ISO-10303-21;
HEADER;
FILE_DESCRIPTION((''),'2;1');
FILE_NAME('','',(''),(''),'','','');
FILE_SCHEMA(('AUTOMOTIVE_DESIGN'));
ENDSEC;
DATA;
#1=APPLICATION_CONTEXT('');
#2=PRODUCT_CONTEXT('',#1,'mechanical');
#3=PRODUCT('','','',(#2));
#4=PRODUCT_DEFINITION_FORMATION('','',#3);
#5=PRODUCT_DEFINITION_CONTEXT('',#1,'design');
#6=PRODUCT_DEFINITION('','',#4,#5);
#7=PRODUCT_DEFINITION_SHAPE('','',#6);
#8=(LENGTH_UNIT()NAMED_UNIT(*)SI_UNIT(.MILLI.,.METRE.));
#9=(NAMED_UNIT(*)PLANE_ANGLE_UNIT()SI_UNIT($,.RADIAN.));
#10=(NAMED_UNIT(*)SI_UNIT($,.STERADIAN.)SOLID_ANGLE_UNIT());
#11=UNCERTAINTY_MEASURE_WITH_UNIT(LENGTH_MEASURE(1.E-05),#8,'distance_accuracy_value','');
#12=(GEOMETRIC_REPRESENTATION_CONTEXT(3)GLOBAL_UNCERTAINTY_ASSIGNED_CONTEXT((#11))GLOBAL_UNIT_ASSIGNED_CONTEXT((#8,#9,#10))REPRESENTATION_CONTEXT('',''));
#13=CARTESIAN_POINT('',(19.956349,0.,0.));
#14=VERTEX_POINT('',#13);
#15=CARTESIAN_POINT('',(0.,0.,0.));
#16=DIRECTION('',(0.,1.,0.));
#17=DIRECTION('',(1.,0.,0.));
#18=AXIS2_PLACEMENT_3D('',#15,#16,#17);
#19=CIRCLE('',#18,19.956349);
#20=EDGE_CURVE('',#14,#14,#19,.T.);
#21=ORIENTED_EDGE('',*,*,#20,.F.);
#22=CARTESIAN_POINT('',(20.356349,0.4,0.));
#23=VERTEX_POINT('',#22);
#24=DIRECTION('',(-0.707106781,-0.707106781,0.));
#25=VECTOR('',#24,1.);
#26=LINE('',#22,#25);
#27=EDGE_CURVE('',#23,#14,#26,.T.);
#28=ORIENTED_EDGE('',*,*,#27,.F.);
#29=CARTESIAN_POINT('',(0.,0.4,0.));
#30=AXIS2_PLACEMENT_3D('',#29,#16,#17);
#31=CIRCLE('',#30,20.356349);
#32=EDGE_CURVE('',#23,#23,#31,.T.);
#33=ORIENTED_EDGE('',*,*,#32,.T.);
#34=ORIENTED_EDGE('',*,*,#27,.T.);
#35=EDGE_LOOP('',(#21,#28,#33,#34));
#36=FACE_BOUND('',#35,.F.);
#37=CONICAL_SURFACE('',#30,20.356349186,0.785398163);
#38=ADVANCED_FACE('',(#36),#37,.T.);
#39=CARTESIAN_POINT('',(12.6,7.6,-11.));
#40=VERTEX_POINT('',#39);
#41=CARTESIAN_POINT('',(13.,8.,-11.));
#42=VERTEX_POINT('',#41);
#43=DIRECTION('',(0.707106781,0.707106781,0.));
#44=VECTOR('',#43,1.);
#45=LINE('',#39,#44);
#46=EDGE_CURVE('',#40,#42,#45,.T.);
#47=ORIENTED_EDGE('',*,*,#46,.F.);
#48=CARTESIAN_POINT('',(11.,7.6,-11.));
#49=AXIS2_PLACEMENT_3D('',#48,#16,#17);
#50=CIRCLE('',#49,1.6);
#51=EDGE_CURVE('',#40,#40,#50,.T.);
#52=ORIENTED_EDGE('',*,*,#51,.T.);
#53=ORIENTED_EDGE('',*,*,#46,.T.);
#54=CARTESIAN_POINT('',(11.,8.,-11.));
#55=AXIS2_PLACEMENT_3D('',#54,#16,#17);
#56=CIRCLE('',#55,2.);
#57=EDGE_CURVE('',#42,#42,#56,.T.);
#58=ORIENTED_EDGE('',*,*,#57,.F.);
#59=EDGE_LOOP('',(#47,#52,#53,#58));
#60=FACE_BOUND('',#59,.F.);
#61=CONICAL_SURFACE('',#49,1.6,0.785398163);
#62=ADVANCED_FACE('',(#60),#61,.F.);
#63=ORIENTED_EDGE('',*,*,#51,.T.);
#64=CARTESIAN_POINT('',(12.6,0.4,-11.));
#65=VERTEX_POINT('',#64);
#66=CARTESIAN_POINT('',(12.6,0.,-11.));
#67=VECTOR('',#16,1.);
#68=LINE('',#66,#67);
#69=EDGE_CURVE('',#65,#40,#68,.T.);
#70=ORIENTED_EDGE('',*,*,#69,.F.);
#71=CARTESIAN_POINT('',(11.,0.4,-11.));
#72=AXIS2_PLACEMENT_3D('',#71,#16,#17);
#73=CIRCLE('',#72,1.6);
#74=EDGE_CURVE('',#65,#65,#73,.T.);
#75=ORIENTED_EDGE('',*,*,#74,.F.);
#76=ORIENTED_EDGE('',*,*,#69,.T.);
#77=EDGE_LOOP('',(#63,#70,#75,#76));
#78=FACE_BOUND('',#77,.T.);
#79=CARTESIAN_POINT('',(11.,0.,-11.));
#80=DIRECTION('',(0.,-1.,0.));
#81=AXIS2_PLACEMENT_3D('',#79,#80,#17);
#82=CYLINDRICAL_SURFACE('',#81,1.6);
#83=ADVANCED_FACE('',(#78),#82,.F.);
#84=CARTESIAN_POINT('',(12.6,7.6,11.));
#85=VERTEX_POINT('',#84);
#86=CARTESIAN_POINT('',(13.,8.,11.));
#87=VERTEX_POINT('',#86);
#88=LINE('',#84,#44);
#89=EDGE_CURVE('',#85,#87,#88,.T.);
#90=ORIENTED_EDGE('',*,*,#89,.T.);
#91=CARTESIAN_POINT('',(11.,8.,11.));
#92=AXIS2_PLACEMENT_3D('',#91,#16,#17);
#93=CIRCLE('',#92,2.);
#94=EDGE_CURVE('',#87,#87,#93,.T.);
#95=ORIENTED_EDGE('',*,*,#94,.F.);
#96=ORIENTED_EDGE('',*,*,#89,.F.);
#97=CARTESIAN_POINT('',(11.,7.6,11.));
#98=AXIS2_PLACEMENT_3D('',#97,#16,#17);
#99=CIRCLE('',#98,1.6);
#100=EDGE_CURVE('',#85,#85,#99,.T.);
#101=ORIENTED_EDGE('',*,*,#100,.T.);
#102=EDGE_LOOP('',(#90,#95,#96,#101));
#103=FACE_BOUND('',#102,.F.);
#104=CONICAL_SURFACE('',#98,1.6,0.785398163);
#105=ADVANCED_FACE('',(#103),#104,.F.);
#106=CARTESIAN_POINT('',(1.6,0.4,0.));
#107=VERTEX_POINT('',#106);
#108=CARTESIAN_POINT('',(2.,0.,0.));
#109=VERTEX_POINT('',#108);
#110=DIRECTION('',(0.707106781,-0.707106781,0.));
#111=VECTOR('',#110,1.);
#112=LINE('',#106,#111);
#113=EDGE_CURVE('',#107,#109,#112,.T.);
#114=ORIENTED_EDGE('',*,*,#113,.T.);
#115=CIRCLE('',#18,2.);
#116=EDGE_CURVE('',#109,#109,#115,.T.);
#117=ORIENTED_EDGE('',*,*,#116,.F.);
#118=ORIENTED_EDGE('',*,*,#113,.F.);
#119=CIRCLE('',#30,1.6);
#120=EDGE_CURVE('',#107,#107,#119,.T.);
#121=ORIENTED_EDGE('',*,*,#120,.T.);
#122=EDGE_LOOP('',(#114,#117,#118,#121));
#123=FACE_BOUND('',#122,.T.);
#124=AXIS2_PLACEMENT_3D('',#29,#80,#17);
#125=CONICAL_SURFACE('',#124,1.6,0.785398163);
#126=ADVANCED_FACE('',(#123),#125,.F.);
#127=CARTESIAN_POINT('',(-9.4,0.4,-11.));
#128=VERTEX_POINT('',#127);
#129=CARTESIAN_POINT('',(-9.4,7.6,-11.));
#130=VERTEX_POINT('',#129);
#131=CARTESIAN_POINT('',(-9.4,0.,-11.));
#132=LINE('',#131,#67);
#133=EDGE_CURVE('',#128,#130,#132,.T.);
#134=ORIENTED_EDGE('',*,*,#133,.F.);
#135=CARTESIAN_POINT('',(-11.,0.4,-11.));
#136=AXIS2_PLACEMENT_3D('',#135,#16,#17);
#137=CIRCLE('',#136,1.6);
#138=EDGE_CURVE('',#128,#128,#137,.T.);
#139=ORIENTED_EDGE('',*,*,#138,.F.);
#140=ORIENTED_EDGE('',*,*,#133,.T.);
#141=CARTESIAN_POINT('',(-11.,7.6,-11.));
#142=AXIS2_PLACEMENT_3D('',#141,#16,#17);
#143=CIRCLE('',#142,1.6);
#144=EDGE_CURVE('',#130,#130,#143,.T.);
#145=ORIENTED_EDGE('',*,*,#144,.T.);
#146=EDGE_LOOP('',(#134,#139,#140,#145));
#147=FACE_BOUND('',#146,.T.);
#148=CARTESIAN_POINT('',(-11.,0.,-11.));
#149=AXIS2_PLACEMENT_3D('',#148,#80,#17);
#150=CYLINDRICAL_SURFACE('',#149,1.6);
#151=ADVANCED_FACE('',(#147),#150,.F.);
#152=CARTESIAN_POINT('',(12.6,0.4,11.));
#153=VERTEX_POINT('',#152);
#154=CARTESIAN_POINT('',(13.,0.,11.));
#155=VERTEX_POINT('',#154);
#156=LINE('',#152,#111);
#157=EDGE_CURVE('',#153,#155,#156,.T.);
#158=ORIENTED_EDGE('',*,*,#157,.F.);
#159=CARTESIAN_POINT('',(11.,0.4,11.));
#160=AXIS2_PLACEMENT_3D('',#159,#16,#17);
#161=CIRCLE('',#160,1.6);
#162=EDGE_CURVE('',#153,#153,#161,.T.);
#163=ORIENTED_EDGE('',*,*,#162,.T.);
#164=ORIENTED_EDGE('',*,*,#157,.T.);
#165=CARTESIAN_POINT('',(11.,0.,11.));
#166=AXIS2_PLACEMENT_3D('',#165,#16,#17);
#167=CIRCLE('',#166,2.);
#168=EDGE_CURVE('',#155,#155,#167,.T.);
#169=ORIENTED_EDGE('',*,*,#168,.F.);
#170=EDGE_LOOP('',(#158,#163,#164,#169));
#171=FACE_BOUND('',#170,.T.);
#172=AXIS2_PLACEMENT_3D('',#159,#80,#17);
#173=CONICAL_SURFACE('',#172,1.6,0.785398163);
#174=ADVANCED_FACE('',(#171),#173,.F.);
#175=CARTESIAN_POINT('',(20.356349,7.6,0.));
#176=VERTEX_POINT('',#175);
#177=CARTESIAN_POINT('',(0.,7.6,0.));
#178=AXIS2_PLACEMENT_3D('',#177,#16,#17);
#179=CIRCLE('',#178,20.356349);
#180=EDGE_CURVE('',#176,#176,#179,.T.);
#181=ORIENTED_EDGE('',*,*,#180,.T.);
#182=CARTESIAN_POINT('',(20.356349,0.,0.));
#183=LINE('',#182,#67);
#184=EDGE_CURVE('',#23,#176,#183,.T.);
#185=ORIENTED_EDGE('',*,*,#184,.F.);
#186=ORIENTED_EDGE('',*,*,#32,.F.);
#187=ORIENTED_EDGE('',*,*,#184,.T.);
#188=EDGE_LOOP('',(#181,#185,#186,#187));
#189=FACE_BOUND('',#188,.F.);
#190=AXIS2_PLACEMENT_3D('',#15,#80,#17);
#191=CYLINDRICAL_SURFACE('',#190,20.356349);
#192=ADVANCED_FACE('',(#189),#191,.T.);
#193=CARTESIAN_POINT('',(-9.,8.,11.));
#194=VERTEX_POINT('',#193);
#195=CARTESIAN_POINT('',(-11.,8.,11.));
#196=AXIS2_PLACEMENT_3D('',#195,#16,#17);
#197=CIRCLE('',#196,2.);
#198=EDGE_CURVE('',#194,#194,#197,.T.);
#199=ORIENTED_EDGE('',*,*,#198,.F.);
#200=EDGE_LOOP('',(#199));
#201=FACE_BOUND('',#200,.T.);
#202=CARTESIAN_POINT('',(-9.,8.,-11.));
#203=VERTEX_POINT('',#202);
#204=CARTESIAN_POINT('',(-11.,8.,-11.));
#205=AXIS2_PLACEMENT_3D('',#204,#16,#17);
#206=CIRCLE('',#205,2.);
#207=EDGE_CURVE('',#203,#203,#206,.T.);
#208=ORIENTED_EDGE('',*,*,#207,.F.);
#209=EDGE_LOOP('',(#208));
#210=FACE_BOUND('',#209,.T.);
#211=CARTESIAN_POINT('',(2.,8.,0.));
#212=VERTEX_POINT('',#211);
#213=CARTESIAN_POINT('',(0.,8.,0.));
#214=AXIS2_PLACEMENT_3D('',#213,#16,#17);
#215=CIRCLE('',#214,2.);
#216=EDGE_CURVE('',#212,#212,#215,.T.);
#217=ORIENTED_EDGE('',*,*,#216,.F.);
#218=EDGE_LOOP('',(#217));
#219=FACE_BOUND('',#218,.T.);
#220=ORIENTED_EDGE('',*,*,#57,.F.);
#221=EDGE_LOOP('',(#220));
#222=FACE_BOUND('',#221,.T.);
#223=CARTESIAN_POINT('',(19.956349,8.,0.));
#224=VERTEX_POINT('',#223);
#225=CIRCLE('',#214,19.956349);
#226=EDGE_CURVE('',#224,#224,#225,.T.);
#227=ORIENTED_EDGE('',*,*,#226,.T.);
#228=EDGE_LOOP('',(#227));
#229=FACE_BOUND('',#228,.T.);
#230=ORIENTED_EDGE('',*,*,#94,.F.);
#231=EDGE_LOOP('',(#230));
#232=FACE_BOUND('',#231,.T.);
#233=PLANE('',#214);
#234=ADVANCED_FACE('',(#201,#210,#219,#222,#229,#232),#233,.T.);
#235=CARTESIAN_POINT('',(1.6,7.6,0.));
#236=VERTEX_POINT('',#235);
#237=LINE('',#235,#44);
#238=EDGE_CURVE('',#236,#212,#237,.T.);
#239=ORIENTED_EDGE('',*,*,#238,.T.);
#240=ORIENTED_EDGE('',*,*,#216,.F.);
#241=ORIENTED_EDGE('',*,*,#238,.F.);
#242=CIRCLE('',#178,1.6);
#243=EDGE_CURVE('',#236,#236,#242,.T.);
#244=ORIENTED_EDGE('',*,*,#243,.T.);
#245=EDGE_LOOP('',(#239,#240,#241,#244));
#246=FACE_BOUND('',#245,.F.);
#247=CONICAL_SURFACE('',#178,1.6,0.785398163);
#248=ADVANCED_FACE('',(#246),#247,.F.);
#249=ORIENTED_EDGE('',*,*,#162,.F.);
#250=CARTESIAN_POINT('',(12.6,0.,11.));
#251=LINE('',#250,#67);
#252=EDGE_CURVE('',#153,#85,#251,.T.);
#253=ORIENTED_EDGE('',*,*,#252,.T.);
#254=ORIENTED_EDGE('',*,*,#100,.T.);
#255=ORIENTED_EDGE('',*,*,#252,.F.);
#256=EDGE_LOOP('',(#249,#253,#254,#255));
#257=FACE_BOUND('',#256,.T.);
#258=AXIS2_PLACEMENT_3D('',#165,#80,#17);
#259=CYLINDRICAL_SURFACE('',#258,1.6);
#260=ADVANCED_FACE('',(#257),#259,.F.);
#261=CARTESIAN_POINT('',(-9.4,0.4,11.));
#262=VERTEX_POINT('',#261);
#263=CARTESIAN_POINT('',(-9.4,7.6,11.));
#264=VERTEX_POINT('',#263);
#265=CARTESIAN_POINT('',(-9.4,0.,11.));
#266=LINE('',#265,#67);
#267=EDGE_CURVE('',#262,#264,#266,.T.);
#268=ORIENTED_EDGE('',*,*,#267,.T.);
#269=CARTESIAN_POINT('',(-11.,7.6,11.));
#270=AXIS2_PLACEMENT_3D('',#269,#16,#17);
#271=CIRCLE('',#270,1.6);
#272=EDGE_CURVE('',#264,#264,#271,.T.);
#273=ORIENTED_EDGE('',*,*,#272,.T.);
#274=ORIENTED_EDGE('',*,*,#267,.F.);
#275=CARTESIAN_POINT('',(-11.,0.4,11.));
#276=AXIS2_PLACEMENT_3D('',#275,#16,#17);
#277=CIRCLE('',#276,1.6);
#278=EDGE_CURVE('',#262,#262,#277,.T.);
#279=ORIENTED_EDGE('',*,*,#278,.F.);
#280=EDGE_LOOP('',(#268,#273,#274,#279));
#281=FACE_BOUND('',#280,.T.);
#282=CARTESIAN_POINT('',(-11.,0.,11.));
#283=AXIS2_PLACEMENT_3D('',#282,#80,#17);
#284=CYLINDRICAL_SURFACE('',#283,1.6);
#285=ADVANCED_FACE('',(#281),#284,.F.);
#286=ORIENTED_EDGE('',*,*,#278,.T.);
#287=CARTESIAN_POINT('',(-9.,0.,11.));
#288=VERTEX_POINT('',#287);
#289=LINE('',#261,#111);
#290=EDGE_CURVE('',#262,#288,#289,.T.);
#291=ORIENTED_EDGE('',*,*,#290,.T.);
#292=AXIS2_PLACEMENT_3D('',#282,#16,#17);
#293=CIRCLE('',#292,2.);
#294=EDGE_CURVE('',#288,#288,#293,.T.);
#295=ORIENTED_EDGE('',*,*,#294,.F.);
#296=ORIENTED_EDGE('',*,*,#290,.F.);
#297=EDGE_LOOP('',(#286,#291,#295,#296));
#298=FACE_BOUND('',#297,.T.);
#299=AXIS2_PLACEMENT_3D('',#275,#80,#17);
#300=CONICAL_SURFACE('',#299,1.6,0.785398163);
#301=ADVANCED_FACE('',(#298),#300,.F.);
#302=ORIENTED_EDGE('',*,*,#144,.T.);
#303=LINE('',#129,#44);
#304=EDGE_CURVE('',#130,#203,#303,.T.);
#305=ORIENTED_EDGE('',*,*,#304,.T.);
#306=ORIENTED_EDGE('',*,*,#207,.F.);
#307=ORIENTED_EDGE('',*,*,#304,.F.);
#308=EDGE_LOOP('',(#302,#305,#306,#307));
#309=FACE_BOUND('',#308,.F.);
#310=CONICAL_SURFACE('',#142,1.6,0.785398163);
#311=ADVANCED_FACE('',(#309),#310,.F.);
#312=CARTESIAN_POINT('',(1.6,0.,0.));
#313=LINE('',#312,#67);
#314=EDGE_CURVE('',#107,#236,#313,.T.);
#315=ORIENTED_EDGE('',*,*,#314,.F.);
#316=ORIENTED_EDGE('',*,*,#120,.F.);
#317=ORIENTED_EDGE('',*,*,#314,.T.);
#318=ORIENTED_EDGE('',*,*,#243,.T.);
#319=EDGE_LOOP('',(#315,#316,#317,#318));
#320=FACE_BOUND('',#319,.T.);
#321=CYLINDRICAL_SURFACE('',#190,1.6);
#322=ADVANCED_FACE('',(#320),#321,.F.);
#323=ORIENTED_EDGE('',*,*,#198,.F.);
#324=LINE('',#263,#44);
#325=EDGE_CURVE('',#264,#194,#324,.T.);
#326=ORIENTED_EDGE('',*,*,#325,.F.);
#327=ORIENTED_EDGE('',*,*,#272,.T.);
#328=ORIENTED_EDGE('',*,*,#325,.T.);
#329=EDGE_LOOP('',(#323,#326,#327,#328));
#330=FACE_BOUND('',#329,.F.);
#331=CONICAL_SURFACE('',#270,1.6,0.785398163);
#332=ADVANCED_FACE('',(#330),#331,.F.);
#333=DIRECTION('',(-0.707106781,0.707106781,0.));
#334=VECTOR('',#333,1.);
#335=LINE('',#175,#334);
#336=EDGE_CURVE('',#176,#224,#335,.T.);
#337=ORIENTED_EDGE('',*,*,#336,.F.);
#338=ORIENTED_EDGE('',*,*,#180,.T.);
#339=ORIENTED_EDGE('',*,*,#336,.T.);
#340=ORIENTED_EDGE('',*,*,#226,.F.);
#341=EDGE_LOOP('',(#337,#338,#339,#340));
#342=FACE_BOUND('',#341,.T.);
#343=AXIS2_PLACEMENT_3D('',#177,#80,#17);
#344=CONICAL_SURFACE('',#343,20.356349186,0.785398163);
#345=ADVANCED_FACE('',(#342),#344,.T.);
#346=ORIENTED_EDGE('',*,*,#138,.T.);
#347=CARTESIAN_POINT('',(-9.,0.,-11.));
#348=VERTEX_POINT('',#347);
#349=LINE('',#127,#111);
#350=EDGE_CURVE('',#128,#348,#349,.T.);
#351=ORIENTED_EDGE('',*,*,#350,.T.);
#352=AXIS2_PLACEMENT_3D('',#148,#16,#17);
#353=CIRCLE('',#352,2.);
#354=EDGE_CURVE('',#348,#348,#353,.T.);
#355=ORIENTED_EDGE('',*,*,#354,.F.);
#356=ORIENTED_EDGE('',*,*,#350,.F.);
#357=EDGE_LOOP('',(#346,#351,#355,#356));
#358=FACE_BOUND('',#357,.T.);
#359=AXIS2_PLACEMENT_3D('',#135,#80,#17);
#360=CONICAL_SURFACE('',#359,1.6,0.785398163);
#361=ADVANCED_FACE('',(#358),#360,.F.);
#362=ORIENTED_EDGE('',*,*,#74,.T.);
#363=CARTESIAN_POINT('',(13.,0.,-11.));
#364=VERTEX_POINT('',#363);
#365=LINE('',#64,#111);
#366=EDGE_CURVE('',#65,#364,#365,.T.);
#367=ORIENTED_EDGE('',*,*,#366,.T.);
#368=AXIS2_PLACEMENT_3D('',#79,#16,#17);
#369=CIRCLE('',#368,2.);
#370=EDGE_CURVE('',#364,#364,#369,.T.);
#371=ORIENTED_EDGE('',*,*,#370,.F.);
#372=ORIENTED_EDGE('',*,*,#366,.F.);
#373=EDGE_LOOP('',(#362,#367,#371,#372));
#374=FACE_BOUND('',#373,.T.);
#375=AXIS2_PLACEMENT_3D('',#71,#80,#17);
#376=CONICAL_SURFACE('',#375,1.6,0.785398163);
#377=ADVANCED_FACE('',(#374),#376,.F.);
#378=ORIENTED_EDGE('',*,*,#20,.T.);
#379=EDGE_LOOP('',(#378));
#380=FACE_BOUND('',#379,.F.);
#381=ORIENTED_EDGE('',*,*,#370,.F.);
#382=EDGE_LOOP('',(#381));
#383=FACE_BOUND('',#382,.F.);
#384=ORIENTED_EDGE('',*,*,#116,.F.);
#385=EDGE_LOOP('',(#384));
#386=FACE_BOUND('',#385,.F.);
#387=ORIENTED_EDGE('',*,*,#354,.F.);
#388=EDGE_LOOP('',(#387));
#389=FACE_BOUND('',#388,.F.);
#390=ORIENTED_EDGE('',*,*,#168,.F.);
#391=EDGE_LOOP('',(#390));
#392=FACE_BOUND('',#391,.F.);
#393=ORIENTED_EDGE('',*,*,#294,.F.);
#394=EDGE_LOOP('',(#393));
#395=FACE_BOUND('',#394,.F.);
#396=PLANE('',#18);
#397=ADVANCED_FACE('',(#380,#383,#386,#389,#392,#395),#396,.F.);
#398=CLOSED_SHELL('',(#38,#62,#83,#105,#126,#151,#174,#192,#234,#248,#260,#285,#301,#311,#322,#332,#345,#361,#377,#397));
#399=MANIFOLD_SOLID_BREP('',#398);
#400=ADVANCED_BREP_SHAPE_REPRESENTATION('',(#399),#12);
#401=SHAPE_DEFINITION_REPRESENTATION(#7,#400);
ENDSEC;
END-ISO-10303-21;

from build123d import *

# Parameters (mm, degrees)
SKETCH1_R           = 20.356349186
SKETCH1_R_2         = 1.6
BOSS_EXTRUDE1_DEPTH = 8
CHAMFER1_SIZE       = 0.4


with BuildPart() as part:
    # Sketch1 → Boss-Extrude1 (new body)
    with BuildSketch(Plane(origin=(0, 0, 0), x_dir=(1, 0, 0), z_dir=(0, 1, 0))):
        Circle(SKETCH1_R)
        Circle(SKETCH1_R_2, mode=Mode.SUBTRACT)
        with Locations((-11, 11)):
            Circle(SKETCH1_R_2, mode=Mode.SUBTRACT)
        with Locations((11, 11)):
            Circle(SKETCH1_R_2, mode=Mode.SUBTRACT)
        with Locations((11, -11)):
            Circle(SKETCH1_R_2, mode=Mode.SUBTRACT)
        with Locations((-11, -11)):
            Circle(SKETCH1_R_2, mode=Mode.SUBTRACT)
    extrude(amount=BOSS_EXTRUDE1_DEPTH)

    # Chamfer1
    chamfer1_edges = [part.edges().sort_by_distance(p)[0] for p in [
        (9.4, 0, -11),
        (9.4, 8, -11),
        (9.4, 0, 11),
        (9.4, 8, 11),
        (-20.356349186, 0, 0),
        (-12.6, 0, 11),
        (-12.6, 8, 11),
        (-20.356349186, 8, 0),
        (-1.6, 0, 0),
        (-1.6, 8, 0),
        (-12.6, 0, -11),
        (-12.6, 8, -11),
    ]]
    chamfer(chamfer1_edges, length=CHAMFER1_SIZE)


solid = part.part
